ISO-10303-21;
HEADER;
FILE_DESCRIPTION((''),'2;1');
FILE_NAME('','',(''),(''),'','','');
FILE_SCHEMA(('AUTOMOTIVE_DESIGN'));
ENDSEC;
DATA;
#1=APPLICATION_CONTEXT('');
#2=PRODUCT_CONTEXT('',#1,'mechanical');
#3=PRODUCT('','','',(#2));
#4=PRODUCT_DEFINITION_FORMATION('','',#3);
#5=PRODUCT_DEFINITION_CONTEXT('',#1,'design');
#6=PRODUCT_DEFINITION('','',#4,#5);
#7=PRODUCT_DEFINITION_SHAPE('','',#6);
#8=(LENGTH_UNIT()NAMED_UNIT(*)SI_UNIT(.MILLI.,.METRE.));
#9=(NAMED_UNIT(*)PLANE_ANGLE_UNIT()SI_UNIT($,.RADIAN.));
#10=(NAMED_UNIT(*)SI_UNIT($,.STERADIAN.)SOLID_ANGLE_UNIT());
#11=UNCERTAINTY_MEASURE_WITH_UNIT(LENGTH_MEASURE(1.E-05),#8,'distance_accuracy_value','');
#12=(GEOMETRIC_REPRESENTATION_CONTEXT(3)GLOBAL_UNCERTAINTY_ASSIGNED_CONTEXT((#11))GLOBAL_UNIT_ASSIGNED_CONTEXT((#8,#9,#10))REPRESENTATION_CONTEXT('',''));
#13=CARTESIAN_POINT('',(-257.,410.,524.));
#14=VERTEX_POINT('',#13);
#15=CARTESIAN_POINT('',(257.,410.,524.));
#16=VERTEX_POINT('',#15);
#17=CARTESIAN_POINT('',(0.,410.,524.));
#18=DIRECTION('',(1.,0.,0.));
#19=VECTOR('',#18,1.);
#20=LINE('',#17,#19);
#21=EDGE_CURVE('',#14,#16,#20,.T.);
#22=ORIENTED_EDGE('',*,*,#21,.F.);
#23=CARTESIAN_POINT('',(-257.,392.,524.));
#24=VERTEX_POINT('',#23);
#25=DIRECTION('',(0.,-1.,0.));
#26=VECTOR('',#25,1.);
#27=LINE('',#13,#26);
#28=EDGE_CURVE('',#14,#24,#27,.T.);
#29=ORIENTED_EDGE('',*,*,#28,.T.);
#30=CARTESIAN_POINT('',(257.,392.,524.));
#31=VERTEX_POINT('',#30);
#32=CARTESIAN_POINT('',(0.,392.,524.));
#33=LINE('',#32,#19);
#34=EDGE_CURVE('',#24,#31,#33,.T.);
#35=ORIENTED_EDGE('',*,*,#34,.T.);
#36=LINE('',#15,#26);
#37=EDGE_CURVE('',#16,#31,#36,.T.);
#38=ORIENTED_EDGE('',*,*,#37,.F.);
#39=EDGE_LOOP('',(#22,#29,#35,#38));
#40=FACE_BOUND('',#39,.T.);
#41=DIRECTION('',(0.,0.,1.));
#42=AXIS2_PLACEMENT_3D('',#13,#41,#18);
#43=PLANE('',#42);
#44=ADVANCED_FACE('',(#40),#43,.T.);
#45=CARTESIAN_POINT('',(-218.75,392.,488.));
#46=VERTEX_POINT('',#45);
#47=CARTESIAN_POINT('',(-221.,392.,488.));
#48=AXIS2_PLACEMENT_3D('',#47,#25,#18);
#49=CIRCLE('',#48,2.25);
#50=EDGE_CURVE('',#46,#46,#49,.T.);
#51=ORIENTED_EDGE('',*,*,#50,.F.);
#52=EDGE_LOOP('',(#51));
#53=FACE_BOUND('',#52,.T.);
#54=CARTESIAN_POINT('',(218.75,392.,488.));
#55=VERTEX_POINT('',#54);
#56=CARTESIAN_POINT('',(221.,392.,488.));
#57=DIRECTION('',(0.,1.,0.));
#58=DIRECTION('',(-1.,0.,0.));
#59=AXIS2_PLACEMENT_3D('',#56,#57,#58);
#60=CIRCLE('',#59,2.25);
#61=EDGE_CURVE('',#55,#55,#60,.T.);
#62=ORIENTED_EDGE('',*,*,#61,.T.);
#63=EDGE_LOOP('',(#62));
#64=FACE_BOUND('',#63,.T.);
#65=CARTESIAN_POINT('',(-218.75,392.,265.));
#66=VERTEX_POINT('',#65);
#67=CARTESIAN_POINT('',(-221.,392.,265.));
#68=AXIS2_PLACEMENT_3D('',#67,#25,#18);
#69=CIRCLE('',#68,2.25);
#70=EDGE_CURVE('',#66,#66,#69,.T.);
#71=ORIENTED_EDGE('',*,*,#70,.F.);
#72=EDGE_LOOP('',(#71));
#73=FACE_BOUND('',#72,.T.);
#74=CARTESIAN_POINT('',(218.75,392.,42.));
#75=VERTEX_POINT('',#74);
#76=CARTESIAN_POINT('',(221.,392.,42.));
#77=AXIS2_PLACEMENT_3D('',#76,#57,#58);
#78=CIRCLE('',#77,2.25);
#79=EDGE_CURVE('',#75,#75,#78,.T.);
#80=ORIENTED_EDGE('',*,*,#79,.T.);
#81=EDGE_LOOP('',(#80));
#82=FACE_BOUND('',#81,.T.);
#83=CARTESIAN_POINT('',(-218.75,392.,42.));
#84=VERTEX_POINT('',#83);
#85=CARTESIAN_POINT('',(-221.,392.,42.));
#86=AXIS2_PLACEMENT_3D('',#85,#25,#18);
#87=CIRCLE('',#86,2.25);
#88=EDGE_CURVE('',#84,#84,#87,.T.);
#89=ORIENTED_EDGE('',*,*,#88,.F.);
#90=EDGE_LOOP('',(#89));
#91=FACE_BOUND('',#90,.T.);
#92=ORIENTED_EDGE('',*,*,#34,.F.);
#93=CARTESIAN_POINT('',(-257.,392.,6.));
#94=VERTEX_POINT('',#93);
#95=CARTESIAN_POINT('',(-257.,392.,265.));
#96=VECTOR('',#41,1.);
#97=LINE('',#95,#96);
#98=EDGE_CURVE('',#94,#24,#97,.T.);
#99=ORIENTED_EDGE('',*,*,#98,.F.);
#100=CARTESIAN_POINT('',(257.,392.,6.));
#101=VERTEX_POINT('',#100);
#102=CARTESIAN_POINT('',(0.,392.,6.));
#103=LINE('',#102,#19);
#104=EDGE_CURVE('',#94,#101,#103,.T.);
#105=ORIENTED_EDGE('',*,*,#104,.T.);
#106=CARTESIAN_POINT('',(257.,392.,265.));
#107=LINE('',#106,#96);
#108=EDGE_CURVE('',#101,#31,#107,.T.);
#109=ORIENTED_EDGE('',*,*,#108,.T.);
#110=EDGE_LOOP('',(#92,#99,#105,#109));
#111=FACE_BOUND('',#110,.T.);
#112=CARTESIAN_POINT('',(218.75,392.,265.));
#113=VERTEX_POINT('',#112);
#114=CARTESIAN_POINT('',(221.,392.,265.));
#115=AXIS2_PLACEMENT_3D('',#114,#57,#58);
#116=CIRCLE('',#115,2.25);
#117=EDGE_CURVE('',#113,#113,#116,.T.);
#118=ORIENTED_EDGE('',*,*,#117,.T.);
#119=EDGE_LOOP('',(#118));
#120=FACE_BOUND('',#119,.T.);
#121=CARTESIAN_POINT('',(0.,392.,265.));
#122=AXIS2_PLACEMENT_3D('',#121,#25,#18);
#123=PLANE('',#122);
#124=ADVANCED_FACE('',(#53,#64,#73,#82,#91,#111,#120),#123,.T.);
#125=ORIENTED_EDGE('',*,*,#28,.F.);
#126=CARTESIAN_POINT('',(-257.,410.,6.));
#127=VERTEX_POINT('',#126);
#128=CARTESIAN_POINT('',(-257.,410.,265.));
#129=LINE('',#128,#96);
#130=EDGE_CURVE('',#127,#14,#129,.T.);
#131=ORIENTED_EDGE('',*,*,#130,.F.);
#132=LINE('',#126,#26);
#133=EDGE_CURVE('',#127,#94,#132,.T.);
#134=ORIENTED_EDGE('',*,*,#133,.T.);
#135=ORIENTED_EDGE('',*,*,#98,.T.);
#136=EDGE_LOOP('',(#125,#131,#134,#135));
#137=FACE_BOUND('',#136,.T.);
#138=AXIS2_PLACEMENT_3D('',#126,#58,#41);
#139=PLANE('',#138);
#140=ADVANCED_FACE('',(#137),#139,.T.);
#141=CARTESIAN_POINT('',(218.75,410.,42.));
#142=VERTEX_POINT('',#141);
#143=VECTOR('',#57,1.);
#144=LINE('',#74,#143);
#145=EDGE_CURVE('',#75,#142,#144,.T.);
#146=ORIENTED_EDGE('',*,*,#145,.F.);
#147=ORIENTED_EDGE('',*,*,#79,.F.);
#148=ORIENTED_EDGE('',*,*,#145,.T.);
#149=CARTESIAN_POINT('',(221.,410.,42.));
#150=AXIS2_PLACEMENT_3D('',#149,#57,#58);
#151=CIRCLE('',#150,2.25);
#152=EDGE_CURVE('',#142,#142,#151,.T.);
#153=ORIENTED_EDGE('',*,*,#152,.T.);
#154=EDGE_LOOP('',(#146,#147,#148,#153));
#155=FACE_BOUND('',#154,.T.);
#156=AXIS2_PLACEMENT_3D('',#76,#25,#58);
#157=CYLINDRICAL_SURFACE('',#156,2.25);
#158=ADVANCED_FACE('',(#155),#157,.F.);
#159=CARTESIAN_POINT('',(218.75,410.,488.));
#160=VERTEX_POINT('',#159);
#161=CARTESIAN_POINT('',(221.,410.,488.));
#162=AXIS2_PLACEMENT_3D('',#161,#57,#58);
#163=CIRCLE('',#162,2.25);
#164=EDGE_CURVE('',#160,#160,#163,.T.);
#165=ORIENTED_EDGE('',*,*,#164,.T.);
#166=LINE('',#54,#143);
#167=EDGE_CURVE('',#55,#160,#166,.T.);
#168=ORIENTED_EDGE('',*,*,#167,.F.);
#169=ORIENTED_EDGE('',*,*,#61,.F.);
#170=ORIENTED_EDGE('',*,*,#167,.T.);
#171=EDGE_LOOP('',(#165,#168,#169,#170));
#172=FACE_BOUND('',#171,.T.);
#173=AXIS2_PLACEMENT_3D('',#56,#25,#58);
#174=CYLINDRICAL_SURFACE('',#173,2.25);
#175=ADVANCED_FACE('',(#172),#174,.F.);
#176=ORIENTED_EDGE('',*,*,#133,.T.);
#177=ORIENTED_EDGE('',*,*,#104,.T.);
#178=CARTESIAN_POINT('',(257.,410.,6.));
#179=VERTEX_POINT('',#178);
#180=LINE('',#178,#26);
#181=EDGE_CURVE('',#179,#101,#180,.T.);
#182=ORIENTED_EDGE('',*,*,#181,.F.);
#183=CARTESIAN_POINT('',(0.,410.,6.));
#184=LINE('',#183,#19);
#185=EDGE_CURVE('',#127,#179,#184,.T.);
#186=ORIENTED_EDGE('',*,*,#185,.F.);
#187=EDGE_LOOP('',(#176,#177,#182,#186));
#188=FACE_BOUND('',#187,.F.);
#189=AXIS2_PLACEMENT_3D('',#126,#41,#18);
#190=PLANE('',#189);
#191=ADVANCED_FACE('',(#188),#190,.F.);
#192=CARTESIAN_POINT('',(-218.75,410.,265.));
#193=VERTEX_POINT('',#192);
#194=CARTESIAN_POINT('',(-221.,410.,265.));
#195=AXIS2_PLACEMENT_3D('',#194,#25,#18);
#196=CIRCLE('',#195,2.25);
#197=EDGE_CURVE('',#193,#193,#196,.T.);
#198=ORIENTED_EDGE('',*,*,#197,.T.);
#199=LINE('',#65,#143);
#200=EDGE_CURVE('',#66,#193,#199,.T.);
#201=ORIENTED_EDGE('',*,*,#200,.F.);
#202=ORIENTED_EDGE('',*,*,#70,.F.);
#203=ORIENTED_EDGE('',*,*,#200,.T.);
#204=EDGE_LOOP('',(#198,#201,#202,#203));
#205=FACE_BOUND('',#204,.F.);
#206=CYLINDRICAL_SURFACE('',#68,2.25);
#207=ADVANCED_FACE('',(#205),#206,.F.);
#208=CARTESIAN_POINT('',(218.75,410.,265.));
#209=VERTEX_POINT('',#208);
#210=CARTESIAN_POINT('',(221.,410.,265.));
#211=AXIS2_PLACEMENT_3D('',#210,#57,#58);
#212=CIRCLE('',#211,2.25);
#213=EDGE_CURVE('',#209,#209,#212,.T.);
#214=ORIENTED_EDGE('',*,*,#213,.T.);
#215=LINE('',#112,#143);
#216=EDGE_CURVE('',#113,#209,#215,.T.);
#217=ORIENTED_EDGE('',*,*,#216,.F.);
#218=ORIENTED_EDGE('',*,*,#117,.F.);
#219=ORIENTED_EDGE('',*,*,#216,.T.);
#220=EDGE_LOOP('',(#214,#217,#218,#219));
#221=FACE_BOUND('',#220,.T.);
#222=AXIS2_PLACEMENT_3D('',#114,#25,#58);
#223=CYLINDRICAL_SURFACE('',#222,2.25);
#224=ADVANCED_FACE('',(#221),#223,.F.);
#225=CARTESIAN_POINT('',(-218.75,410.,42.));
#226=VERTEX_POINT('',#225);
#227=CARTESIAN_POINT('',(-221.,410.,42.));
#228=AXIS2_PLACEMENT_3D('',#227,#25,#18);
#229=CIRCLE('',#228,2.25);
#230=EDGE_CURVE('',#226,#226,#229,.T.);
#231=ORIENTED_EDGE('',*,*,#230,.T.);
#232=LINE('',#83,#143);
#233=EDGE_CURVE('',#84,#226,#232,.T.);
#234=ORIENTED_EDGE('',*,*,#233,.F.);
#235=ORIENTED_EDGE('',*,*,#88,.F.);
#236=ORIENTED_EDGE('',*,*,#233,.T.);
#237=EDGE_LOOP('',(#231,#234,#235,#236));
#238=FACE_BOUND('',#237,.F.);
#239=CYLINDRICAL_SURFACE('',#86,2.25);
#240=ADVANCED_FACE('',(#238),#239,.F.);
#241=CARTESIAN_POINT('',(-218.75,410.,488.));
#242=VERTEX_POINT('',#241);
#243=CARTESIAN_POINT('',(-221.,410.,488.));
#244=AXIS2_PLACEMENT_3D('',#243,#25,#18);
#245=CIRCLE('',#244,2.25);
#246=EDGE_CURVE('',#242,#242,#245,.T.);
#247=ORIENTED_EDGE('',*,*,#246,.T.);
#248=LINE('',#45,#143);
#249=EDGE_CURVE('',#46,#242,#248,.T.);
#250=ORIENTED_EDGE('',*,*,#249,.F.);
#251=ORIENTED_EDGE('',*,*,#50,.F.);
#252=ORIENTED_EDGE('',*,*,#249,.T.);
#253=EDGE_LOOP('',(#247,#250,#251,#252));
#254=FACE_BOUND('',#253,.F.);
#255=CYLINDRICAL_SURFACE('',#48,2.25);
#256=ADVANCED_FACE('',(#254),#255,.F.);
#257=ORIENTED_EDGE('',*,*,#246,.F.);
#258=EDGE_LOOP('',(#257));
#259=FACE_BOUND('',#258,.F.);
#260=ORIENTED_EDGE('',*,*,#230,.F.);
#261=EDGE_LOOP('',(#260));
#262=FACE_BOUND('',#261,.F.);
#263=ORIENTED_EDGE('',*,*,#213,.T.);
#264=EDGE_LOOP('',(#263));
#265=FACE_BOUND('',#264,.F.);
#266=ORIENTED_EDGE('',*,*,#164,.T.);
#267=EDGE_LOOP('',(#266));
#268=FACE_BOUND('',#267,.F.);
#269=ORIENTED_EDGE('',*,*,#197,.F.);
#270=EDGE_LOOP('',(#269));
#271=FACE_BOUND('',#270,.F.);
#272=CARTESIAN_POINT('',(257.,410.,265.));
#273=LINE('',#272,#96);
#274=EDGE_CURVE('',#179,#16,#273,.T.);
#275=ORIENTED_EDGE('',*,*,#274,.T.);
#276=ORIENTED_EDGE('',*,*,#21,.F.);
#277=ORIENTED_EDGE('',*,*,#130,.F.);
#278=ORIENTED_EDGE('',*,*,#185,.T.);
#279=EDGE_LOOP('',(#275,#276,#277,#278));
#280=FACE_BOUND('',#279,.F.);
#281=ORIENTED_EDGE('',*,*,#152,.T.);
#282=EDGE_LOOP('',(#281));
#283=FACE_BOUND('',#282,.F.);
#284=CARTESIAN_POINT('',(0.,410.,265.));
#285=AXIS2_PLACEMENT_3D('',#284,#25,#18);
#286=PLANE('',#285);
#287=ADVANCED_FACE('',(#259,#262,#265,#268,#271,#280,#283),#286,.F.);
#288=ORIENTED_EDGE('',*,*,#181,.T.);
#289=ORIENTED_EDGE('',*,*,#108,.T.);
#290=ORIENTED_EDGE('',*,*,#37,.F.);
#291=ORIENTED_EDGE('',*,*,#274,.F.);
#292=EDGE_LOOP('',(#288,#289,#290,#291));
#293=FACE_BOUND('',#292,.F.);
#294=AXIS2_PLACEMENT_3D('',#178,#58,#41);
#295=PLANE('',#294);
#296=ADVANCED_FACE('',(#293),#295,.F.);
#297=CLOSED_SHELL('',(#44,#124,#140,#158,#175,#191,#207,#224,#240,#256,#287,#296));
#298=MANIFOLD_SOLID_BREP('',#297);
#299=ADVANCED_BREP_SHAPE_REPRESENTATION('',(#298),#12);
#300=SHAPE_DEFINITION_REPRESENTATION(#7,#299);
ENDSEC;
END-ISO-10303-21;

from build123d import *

# Parameters (mm, degrees)
SKETCH049_W                        = 514
SKETCH049_H                        = 518
PAD018_DEPTH                       = 18
SKETCH050_R                        = 2.25
POCKET031_DEPTH                    = 18
SKETCH050_LINEARPATTERN004_2_R     = 2.25
POCKET031_LINEARPATTERN004_2_DEPTH = 18
SKETCH050_LINEARPATTERN004_3_R     = 2.25
POCKET031_LINEARPATTERN004_3_DEPTH = 18
BODY017_PLACEMENT_ANGLE            = 90


with BuildPart() as part:
    # Sketch049 → Pad018 (new body)
    with BuildSketch(Plane.XY):
        with Locations((0, 259)):
            Rectangle(SKETCH049_W, SKETCH049_H)
    extrude(amount=PAD018_DEPTH)

    # Sketch050 (on Face6 of Pad018) → Pocket031 (cut)
    with BuildSketch(Plane.XY.offset(18)):
        with Locations((-221, 36)):
            Circle(SKETCH050_R)
    pocket031 = extrude(amount=-POCKET031_DEPTH, mode=Mode.SUBTRACT)

    # Sketch050 LinearPattern004 2 → Pocket031 LinearPattern004 2 (cut)
    with BuildSketch(Plane(origin=(0, 223, 18), x_dir=(1, 0, 0), z_dir=(0, 0, 1))):
        with Locations((-221, 36)):
            Circle(SKETCH050_LINEARPATTERN004_2_R)
    pocket031_linearpattern004_2 = extrude(amount=-POCKET031_LINEARPATTERN004_2_DEPTH, mode=Mode.SUBTRACT)

    # Sketch050 LinearPattern004 3 → Pocket031 LinearPattern004 3 (cut)
    with BuildSketch(Plane(origin=(0, 446, 18), x_dir=(1, 0, 0), z_dir=(0, 0, 1))):
        with Locations((-221, 36)):
            Circle(SKETCH050_LINEARPATTERN004_3_R)
    pocket031_linearpattern004_3 = extrude(amount=-POCKET031_LINEARPATTERN004_3_DEPTH, mode=Mode.SUBTRACT)

    # Mirrored011: Pocket031, Pocket031 LinearPattern004 2, Pocket031 LinearPattern004 3 across Sketch050 V_Axis
    add(pocket031.mirror(Plane(origin=(0, 0, 18), x_dir=(0, 0, 1), z_dir=(1, 0, 0))), mode=Mode.SUBTRACT)
    add(pocket031_linearpattern004_2.mirror(Plane(origin=(0, 0, 18), x_dir=(0, 0, 1), z_dir=(1, 0, 0))), mode=Mode.SUBTRACT)
    add(pocket031_linearpattern004_3.mirror(Plane(origin=(0, 0, 18), x_dir=(0, 0, 1), z_dir=(1, 0, 0))), mode=Mode.SUBTRACT)


with BuildPart() as part_1:
    # Body017 placement: moved
    add(part.part.moved(Location((0, 410, 6))).rotate(Axis((0, 410, 6), (1, 0, 0)), BODY017_PLACEMENT_ANGLE))


solid = part_1.part
